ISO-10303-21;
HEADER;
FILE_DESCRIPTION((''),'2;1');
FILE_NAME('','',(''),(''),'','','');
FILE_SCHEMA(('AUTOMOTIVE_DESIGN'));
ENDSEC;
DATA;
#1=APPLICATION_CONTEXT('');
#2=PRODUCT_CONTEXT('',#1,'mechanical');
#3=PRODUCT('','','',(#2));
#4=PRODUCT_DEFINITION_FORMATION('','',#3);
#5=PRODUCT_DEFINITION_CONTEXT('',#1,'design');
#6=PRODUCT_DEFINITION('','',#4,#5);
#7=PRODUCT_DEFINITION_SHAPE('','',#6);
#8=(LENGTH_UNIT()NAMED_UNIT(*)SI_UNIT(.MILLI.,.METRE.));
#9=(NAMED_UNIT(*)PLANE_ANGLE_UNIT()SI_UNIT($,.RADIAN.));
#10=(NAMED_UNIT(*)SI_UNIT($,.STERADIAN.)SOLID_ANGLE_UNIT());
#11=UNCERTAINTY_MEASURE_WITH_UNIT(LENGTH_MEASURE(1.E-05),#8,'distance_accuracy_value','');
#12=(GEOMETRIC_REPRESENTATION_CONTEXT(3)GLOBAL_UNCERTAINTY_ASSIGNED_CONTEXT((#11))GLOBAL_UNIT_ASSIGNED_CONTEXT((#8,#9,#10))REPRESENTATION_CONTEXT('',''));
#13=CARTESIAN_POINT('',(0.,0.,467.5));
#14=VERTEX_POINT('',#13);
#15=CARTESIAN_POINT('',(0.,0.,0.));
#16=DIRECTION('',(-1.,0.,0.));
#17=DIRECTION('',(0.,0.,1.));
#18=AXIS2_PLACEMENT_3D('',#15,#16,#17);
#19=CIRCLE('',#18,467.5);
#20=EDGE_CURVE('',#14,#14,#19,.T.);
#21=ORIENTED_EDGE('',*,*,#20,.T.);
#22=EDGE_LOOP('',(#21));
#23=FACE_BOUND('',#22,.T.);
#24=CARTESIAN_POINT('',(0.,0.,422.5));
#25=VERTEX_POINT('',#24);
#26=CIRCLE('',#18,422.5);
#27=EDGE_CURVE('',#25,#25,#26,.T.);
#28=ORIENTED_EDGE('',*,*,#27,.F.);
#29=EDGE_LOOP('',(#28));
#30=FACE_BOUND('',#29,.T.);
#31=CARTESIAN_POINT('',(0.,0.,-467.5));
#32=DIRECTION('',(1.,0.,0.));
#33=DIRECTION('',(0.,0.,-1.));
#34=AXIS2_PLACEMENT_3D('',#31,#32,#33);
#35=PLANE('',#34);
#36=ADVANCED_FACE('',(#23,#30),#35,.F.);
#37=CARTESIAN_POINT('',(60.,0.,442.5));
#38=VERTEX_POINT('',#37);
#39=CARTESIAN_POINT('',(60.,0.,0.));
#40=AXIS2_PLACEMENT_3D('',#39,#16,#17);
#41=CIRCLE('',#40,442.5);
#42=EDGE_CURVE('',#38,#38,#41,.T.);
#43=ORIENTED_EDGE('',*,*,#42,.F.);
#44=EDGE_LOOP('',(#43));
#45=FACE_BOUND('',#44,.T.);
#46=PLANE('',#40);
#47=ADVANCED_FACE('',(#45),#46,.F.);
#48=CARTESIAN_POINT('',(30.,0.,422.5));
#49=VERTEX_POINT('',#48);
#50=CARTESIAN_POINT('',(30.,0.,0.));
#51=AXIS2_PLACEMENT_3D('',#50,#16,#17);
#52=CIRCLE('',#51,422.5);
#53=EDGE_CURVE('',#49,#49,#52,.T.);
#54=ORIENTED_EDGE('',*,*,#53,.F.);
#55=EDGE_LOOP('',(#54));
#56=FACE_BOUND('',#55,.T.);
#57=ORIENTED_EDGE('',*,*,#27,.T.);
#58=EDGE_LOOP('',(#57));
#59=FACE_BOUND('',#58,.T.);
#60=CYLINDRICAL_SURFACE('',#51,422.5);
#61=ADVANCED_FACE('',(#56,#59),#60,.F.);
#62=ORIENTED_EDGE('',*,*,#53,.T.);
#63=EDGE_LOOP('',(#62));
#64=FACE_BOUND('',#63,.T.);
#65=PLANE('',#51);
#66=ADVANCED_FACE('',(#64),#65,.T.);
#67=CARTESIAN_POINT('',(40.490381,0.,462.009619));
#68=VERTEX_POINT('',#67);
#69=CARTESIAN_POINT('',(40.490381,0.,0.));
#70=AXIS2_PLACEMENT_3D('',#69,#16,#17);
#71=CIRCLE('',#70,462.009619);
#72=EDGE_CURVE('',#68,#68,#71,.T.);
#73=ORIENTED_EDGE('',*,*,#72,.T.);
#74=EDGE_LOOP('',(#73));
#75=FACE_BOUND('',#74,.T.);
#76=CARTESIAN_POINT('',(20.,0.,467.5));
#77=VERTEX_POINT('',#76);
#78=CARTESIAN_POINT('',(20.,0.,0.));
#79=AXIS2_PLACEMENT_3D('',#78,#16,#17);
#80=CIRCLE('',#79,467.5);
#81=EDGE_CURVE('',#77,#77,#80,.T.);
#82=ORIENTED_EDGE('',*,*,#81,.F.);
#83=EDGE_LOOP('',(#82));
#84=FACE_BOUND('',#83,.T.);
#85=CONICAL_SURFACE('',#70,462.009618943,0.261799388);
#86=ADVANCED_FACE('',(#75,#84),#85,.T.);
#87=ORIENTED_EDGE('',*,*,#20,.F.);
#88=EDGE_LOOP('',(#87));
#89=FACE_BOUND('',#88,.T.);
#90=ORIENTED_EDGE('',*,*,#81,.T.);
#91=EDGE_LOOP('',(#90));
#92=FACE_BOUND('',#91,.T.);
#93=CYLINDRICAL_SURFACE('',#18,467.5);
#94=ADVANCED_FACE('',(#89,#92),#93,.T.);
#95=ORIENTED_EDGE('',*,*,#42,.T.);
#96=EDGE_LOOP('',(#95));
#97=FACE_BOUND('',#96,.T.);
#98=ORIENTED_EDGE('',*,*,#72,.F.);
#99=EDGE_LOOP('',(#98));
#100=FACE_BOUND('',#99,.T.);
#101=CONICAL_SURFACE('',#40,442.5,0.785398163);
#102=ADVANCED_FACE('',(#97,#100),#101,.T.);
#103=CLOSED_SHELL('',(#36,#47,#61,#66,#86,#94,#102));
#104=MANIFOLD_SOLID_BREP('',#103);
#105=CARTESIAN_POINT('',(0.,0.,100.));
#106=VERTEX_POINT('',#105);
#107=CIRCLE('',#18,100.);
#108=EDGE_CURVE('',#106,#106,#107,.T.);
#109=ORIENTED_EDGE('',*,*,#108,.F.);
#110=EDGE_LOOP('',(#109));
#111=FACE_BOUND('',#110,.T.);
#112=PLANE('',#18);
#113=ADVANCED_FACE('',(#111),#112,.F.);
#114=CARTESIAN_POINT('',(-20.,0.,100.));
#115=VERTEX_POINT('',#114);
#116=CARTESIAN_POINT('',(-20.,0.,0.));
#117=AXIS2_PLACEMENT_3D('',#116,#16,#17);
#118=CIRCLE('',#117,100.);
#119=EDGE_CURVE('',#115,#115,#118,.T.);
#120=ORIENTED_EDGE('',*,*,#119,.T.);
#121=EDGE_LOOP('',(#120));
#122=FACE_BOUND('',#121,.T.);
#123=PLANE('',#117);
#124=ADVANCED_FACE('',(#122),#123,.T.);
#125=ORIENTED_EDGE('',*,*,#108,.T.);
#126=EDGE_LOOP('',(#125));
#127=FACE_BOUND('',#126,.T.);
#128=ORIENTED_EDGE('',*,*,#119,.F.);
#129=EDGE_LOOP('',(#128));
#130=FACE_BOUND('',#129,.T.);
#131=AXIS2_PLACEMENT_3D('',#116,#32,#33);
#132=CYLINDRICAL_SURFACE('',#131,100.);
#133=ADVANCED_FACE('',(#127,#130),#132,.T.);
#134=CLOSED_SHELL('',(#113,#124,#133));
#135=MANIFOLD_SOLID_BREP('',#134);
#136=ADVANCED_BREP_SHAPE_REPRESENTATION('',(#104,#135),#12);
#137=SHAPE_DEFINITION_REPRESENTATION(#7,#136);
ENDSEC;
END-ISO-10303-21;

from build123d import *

# Parameters (mm, degrees)
SKETCH2_R           = 100
BOSS_EXTRUDE1_DEPTH = 20
SKETCH3_R           = 422.5
CUT_EXTRUDE1_DEPTH  = 30


with BuildPart() as part:
    # Sketch1 → Revolve1 (revolve)
    with BuildSketch(Plane(origin=(0, 0, 0), x_dir=(1, 0, 0), z_dir=(0, 1, 0)), mode=Mode.PRIVATE) as revolve1_sk:
        Polygon((0, 0), (60, 0), (60, 442.5), (40.490381057, 462.009618943), (20, 467.5), (0, 467.5), align=None)
    revolve(revolve1_sk.sketch.rotate(Axis((0, 0, 0), (1, 0, 0)), 180), axis=Axis((0, 0, 0), (1, 0, 0)))

    # Sketch2 → Boss-Extrude1 (add)
    with BuildSketch(Plane.ZY):
        Circle(SKETCH2_R)
    extrude(amount=BOSS_EXTRUDE1_DEPTH)

    # Sketch3 → Cut-Extrude1 (cut)
    with BuildSketch(Plane.ZY):
        Circle(SKETCH3_R)
    extrude(amount=-CUT_EXTRUDE1_DEPTH, mode=Mode.SUBTRACT)


with BuildPart() as cut_extrude1_piece_1:
    # of the separate pieces the step leaves, piece 1, a body of its own (cut_extrude1_pieces)
    add(part.part.solids().sort_by_distance((60, 0, 442.5))[0])


with BuildPart() as cut_extrude1_piece_2:
    # of the separate pieces the step leaves, piece 2, a body of its own (cut_extrude1_pieces)
    add(part.part.solids().sort_by_distance((0, 0, 100))[0])


solid = Compound([cut_extrude1_piece_1.part, cut_extrude1_piece_2.part])
